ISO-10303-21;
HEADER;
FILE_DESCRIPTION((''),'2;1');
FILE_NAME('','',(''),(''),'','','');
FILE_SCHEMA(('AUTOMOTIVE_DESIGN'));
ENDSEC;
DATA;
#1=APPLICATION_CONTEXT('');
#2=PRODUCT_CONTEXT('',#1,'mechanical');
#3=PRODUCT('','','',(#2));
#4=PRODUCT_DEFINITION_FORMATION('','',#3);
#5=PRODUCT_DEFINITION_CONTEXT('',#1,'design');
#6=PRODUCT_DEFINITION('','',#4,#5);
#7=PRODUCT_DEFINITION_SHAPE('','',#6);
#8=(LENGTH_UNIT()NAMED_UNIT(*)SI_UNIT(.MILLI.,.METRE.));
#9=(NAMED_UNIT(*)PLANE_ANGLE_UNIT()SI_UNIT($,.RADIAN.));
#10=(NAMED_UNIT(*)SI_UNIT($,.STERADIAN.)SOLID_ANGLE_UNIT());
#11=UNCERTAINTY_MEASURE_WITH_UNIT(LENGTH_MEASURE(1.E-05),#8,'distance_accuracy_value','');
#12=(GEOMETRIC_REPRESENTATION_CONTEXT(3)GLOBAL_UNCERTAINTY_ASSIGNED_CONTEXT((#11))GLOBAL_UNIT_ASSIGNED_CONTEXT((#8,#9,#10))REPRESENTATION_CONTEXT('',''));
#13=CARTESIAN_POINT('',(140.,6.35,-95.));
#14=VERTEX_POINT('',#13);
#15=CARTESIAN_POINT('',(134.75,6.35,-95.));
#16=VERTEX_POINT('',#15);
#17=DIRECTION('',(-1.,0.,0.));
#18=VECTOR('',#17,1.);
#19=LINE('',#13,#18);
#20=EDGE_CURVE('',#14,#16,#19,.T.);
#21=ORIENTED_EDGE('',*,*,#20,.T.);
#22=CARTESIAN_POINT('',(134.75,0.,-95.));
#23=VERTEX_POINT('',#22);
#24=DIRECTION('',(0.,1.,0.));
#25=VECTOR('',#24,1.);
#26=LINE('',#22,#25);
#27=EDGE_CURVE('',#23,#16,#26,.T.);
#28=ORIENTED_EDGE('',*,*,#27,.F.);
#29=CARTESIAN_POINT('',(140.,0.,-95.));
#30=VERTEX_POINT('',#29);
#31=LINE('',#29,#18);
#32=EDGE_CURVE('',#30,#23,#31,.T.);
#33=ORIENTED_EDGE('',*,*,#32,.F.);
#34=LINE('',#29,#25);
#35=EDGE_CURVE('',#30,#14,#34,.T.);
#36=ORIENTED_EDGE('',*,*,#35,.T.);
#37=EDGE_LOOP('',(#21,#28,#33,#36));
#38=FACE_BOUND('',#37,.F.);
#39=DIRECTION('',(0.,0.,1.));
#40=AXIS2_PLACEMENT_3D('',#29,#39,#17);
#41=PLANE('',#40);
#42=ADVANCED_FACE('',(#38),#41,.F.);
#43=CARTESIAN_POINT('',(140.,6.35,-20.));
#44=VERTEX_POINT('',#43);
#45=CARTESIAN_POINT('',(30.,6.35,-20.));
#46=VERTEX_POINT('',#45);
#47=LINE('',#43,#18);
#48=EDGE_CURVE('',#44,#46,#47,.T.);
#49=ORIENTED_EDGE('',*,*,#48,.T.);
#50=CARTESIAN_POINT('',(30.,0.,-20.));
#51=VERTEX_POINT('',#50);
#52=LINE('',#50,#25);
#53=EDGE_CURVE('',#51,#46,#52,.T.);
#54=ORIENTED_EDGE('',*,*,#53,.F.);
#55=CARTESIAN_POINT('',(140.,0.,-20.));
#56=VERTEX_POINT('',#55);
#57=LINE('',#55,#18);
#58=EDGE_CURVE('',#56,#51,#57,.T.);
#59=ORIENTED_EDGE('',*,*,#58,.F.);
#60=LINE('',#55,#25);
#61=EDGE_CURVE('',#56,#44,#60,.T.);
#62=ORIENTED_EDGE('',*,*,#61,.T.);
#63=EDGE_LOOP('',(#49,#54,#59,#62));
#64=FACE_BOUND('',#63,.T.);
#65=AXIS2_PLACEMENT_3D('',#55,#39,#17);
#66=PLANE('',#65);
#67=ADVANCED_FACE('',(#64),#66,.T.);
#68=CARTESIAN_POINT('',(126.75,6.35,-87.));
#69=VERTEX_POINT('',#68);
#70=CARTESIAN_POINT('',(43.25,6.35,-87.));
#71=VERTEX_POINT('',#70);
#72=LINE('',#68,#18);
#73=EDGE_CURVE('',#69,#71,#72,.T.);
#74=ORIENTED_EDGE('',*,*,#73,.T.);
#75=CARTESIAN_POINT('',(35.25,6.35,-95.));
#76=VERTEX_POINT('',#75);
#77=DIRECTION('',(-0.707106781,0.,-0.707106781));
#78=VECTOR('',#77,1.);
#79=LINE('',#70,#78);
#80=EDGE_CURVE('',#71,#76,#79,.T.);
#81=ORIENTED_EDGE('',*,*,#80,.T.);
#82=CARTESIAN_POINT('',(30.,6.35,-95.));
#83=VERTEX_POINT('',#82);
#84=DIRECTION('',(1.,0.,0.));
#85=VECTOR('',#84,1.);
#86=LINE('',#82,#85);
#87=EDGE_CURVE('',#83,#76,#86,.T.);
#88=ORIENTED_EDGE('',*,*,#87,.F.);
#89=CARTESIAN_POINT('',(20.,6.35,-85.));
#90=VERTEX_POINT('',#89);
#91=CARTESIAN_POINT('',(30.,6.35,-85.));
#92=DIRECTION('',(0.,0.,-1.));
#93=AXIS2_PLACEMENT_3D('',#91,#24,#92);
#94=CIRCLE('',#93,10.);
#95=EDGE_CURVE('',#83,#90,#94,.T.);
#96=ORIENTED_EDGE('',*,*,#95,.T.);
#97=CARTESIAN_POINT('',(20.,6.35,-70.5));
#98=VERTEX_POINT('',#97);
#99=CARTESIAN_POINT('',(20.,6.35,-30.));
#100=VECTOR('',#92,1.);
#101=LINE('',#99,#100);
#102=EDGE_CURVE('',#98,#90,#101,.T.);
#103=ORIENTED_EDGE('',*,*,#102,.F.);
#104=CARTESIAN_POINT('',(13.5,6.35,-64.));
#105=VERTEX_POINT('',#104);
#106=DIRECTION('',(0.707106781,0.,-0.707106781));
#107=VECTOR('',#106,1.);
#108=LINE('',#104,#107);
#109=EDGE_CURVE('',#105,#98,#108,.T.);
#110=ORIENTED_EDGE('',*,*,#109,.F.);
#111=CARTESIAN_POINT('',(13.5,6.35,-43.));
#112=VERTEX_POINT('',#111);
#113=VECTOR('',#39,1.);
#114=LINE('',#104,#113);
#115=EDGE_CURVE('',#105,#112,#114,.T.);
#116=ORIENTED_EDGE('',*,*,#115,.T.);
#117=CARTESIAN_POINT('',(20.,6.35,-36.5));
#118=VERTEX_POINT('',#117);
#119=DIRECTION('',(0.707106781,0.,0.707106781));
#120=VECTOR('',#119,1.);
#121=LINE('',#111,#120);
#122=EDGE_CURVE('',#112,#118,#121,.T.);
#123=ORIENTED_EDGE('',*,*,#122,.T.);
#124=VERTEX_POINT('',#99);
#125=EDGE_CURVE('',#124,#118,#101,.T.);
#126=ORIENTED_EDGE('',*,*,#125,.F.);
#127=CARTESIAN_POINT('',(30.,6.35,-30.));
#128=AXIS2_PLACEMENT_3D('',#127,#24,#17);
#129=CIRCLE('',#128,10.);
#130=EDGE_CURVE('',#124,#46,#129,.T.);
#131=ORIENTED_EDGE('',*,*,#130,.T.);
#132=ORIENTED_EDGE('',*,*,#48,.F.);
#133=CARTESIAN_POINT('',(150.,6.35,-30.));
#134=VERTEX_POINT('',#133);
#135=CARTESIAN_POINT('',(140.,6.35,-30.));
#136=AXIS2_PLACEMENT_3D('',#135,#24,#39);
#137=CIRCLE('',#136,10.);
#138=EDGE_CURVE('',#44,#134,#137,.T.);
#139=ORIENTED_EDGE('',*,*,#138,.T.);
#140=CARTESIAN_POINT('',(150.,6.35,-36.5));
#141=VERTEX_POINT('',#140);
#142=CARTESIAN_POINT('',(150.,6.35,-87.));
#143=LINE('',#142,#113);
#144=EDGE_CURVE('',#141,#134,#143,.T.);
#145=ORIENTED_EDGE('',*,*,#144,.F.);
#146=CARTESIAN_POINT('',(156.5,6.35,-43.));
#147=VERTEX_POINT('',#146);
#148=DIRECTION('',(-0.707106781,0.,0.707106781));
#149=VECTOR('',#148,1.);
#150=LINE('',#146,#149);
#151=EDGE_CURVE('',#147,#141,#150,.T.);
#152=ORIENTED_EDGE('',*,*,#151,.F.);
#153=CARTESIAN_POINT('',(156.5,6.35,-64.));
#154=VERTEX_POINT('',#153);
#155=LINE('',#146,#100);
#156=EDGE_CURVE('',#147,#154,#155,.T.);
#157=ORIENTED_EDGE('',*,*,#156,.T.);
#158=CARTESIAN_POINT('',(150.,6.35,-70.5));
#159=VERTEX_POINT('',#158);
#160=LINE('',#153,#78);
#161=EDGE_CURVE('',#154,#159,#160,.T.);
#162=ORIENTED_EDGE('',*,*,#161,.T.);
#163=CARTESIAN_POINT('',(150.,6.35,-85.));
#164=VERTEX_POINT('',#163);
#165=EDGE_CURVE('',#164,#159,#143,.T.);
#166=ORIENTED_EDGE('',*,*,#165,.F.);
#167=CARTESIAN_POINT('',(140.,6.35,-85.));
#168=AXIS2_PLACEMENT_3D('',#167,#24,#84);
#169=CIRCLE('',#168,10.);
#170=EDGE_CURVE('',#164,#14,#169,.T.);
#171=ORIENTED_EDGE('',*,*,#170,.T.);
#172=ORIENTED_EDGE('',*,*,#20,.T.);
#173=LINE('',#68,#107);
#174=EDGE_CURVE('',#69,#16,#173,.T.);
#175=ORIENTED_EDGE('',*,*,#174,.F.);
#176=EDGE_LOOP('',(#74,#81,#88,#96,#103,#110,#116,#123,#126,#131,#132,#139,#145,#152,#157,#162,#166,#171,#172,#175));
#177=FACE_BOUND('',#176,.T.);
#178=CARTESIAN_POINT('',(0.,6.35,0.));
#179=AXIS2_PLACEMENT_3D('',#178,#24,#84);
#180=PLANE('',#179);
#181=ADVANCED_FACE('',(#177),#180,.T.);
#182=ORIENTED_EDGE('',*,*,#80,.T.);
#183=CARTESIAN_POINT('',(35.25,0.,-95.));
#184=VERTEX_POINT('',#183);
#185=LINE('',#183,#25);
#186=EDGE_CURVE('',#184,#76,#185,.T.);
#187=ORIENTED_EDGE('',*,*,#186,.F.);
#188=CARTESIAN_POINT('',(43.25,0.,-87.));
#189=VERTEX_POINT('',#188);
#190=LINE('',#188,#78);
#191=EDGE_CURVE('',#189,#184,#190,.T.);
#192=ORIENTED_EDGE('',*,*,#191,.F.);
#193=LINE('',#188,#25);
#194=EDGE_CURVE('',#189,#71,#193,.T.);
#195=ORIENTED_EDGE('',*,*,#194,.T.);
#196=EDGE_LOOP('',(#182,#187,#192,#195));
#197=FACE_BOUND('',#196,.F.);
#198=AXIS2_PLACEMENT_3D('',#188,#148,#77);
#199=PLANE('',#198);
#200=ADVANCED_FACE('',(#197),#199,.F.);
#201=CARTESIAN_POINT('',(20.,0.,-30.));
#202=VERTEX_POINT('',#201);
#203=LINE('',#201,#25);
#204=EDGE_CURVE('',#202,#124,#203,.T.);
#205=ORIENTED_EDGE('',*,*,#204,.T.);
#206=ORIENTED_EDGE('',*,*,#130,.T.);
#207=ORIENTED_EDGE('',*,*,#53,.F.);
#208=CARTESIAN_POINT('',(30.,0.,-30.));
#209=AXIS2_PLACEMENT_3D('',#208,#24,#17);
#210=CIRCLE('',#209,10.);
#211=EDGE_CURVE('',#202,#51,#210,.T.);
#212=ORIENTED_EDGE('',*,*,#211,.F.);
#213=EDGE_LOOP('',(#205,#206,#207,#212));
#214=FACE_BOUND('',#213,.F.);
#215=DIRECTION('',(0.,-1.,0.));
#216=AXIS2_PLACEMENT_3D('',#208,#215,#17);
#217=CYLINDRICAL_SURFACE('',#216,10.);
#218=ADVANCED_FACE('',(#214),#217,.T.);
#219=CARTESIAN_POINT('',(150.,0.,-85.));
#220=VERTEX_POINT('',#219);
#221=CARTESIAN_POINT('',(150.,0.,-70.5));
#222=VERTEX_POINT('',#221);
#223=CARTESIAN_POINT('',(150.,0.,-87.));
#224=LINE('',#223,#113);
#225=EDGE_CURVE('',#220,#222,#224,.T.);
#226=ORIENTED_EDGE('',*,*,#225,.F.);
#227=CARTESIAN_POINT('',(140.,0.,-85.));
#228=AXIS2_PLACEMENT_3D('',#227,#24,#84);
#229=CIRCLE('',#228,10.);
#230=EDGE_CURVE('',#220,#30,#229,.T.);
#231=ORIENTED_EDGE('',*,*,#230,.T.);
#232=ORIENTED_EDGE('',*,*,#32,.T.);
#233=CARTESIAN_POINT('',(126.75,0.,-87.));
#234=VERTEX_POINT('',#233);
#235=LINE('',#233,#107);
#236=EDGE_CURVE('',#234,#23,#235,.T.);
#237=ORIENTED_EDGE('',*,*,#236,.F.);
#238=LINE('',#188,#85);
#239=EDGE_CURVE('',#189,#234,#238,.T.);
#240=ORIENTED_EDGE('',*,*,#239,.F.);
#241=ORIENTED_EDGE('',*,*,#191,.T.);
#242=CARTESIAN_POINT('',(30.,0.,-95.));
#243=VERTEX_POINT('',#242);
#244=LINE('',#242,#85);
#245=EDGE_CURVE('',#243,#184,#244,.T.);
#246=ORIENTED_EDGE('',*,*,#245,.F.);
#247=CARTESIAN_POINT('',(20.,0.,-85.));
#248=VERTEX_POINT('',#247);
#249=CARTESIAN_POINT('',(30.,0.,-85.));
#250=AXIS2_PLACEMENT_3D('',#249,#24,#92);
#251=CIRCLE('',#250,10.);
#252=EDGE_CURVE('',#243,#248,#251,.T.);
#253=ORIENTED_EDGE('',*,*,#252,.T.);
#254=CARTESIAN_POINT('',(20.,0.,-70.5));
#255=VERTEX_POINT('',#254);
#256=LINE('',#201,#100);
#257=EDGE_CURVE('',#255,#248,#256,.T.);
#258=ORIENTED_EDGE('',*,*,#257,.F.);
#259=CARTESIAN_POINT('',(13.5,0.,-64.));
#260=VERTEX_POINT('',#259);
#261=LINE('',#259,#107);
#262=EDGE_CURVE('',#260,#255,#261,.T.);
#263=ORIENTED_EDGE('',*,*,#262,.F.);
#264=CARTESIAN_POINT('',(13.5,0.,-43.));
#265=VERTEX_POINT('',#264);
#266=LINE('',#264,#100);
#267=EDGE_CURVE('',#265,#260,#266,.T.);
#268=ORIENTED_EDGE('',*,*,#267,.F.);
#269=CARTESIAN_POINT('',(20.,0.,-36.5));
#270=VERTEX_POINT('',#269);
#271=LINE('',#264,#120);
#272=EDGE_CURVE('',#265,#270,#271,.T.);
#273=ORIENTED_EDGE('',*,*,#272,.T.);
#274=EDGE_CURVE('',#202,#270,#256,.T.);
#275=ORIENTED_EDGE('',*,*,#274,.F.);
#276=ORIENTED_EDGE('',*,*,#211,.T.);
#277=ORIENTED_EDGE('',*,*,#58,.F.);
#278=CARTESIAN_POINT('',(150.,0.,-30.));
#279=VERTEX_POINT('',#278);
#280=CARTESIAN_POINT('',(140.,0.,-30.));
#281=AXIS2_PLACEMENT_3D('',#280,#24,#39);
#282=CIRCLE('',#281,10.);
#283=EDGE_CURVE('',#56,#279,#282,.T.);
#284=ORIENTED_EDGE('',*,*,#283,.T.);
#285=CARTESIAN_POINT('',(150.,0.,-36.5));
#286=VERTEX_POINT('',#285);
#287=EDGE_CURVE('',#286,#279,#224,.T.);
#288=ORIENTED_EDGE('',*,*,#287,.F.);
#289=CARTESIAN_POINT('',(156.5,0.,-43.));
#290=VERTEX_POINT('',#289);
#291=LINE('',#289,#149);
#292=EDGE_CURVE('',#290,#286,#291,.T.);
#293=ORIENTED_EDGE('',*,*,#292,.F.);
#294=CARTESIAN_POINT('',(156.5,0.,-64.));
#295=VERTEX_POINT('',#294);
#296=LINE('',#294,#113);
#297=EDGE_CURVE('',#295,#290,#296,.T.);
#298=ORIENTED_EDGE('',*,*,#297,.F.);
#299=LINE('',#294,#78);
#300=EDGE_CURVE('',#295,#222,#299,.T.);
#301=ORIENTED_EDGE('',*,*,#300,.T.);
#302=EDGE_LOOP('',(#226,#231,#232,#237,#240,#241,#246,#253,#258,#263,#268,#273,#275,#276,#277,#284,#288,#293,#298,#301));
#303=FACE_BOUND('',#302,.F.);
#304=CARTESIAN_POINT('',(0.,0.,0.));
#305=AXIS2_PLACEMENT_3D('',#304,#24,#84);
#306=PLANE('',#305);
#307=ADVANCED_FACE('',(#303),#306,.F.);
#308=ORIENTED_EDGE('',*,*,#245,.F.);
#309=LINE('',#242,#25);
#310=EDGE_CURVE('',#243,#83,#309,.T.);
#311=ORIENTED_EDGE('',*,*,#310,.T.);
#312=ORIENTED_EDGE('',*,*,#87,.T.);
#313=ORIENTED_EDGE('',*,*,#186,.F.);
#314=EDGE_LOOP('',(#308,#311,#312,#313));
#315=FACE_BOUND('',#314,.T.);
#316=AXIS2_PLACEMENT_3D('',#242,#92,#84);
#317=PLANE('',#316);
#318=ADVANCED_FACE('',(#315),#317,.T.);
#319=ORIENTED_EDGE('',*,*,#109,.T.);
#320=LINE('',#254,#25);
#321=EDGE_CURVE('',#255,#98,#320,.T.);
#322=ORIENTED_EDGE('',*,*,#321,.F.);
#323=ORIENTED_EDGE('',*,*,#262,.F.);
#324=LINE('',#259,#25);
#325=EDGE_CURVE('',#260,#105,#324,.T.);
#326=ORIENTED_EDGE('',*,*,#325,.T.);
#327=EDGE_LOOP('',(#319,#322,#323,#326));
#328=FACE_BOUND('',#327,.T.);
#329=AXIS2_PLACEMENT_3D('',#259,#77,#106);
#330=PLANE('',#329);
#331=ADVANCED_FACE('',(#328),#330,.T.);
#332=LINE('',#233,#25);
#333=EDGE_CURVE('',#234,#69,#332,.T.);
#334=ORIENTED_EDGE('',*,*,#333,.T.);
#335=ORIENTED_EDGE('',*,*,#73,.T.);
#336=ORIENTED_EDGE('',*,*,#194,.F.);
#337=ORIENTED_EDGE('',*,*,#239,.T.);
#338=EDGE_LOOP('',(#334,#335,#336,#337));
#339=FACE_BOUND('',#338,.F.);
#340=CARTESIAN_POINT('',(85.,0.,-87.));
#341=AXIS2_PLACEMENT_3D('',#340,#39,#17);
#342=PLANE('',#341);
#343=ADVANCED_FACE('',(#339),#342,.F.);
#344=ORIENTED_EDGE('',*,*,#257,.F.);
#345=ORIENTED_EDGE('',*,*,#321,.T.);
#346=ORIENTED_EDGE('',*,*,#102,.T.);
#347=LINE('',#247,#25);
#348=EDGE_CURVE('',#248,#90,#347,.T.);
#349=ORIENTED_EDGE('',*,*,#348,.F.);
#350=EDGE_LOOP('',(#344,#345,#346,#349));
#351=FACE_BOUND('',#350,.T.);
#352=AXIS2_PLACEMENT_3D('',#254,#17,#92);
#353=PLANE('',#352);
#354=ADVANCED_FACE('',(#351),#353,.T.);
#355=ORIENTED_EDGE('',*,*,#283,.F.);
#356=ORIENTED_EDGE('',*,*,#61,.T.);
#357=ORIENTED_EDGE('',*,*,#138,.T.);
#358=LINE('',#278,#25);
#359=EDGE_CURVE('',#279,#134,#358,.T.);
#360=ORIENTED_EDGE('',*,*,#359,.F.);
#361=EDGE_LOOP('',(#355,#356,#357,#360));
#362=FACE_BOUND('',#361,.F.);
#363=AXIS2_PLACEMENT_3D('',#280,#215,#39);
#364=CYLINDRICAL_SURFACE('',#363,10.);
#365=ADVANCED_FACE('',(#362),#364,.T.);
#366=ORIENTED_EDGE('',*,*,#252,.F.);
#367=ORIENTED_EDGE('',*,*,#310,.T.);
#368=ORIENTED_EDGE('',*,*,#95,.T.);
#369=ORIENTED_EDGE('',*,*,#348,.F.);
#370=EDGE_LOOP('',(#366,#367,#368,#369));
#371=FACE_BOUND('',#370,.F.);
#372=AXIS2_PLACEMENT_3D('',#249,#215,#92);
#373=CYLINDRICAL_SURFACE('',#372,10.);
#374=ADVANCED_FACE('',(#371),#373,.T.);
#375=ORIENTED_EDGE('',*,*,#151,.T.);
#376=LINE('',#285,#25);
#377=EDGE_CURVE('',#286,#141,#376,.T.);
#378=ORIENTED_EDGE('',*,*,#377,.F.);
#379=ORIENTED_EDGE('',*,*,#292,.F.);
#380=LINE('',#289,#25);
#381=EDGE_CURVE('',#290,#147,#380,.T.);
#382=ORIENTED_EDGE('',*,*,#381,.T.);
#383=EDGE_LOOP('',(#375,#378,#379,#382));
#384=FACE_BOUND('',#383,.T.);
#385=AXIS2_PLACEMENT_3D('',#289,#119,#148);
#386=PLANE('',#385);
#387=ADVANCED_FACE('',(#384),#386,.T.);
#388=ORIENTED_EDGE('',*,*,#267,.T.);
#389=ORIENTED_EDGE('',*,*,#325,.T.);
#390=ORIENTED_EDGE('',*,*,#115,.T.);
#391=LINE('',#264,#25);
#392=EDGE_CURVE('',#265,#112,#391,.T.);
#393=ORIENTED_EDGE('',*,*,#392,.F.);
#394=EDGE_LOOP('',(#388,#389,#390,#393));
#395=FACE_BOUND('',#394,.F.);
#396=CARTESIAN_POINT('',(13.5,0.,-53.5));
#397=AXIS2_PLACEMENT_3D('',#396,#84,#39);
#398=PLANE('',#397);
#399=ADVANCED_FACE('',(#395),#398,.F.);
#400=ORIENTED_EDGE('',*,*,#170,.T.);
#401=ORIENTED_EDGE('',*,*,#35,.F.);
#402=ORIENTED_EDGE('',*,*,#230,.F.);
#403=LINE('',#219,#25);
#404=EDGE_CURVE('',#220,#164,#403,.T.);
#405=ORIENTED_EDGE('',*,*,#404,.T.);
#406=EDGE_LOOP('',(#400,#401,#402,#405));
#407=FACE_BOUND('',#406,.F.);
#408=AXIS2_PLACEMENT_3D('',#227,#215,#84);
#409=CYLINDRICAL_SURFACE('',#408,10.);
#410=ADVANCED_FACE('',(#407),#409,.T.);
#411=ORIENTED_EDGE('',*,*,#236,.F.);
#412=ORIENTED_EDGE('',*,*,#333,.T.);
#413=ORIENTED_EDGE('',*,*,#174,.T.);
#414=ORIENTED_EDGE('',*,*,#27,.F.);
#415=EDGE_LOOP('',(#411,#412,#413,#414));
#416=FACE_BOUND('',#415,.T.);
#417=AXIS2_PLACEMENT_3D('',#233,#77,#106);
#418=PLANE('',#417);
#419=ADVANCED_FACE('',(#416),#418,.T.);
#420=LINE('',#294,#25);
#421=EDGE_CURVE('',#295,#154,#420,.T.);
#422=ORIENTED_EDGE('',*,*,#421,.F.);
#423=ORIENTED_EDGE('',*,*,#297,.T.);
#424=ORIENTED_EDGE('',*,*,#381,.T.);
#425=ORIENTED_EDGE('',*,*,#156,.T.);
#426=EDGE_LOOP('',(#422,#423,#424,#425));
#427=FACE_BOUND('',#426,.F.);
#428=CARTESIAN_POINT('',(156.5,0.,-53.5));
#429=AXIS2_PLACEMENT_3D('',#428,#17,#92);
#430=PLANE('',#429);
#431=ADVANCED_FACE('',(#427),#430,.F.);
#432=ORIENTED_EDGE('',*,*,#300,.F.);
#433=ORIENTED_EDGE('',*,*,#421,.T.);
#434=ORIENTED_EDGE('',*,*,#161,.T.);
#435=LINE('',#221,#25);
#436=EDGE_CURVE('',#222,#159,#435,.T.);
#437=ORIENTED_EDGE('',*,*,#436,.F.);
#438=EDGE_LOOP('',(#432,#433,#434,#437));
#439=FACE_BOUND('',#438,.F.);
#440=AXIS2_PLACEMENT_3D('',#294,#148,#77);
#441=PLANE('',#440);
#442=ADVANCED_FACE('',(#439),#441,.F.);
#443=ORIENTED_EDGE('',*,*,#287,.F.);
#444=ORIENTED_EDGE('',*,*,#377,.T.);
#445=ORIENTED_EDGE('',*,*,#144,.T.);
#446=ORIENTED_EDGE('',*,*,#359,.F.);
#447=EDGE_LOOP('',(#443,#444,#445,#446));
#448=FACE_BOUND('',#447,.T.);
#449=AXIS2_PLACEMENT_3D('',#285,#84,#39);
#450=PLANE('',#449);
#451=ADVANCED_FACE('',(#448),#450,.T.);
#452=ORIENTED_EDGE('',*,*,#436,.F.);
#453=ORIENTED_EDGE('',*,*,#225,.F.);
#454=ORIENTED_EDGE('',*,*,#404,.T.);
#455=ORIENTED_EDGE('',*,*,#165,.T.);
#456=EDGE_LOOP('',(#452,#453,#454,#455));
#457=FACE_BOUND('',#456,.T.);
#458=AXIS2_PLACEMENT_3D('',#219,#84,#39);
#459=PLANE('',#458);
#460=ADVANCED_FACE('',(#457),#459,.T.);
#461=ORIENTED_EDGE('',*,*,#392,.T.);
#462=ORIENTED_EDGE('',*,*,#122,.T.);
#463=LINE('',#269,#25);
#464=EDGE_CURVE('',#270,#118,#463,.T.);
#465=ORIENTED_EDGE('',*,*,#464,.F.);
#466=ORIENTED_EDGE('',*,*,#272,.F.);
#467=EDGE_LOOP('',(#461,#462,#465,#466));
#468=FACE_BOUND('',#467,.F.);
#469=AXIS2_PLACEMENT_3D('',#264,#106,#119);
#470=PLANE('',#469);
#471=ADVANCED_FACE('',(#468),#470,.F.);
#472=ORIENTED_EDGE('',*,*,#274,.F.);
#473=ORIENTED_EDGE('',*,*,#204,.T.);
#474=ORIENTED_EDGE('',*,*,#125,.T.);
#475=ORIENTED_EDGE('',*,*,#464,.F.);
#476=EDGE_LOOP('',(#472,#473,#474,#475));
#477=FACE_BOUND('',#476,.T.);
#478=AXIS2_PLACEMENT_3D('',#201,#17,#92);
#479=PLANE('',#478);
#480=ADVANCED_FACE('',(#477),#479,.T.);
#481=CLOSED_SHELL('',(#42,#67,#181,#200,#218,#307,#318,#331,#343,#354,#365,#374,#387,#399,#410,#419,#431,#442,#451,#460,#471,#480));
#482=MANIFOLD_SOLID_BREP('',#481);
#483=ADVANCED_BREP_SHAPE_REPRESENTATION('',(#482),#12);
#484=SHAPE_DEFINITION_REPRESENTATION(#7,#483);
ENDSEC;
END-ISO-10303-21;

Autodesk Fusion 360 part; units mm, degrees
sketch "Sketch1" plane through (0, 0, 0) normal (0, 1, 0) x (1, 0, 0)
  line L0 (0, 0) -> (170, 0)
  line L1 (170, 0) -> (170, 170)
  line L2 (170, 170) -> (0, 170)
  line L3 (0, 170) -> (0, 0)
  line L4 (85, 170) -> (85, 128.5) construction
  line L5 (110, 107) -> (60, 107)
  line L6 (50, 117) -> (50, 140)
  line L7 (60, 150) -> (110, 150)
  line L8 (120, 140) -> (120, 117)
  line L9 (120, 107) -> (50, 150) construction
  line L10 (50, 107) -> (120, 150) construction
  arc A0 (60, 150) -> (50, 140) centre (60, 140) ccw
  arc A1 (120, 140) -> (110, 150) centre (110, 140) ccw
  arc A2 (110, 107) -> (120, 117) centre (110, 117) ccw
  arc A3 (50, 117) -> (60, 107) centre (60, 117) ccw
  line L11 (85, 128.5) -> (0, 128.5) construction
  line L12 (85, 128.5) -> (170, 128.5) construction
  arc A4 (0, 108.5) -> (0, 148.5) centre (0, 128.5) ccw
  arc A5 (170, 148.5) -> (170, 108.5) centre (170, 128.5) ccw
  line L13 (85, 0) -> (85, 53.5) construction
  line L14 (140, 20) -> (30, 20)
  line L15 (20, 30) -> (20, 87)
  line L16 (150, 87) -> (150, 30)
  line L17 (150, 20) -> (20, 87) construction
  line L18 (20, 20) -> (150, 87) construction
  arc A6 (20, 30) -> (30, 20) centre (30, 30) ccw
  arc A7 (140, 20) -> (150, 30) centre (140, 30) ccw
  line L19 (85, 53.5) -> (20, 53.5) construction
  line L20 (85, 53.5) -> (150, 53.5) construction
  line L21 (20, 53.5) -> (13.5, 53.5) construction
  line L22 (13.5, 53.5) -> (13.5, 64)
  line L23 (13.5, 53.5) -> (13.5, 43)
  line L24 (13.5, 43) -> (13.5, 36.5) construction
  line L25 (13.5, 36.5) -> (20, 36.5) construction
  line L26 (13.5, 64) -> (13.5, 70.5) construction
  line L27 (13.5, 70.5) -> (20, 70.5) construction
  line L28 (13.5, 64) -> (20, 70.5)
  line L29 (13.5, 43) -> (20, 36.5)
  line L30 (156.5, 64) -> (150, 70.5)
  line L31 (156.5, 53.5) -> (156.5, 64)
  line L32 (156.5, 53.5) -> (156.5, 43)
  line L33 (156.5, 43) -> (150, 36.5)
  line L34 (85, 53.5) -> (85, 87) construction
  line L35 (85, 128.5) -> (85, 87) construction
  line L36 (85, 87) -> (43.25, 87)
  line L37 (43.25, 87) -> (35.25, 95)
  line L38 (30, 95) -> (35.25, 95)
  line L39 (35.25, 95) -> (35.25, 87) construction
  line L40 (35.25, 87) -> (43.25, 87) construction
  line L41 (30, 95) -> (30, 85) construction
  arc A8 (30, 95) -> (20, 85) centre (30, 85) ccw
  line L42 (30, 85) -> (30, 95) construction
  line L43 (30, 85) -> (20, 85) construction
  arc A9 (150, 85) -> (140, 95) centre (140, 85) ccw
  line L44 (140, 95) -> (134.75, 95)
  line L45 (126.75, 87) -> (134.75, 95)
  line L46 (85, 87) -> (126.75, 87)
  point P0 (85, 128.5)
  point P1 (85, 53.5)
  dimension "d1" = 170
  dimension "d2" = 170
  dimension "d19" = 41.5
  dimension "d20" = 70
  dimension "d21" = 43
  dimension "d22" = 10
  dimension "d23" = 10
  dimension "d24" = 10
  dimension "d25" = 10
  dimension "d26" = 20
  dimension "d27" = 20
  dimension "d28" = 53.5
  dimension "d29" = 130
  dimension "d30" = 67
  dimension "d31" = 10
  dimension "d32" = 10
  dimension "d33" = 6.5
  dimension "d34" = 10.5
  dimension "d35" = 10.5
  dimension "d36" = 6.5
  dimension "d37" = 6.5
  dimension "d41" = 41.5
  dimension "d42" = 33.5
  dimension "d44" = 41.75
  dimension "d48" = 5.25
  dimension "d49" = 135
  dimension "d50" = 8
  dimension "d51" = 10
  dimension "d52" = 90
  dimension "d53" = 135
  dimension "d54" = 8
extrude "Extrude1" add sketch "Sketch1" along normal blind 6.35 contours L14 L15 L16 A6 A7 L36 L37 L38 A8 A9 L44 L45 L46 | L16 L30 L31 L32 L33 | L15 L22 L23 L28 L29
